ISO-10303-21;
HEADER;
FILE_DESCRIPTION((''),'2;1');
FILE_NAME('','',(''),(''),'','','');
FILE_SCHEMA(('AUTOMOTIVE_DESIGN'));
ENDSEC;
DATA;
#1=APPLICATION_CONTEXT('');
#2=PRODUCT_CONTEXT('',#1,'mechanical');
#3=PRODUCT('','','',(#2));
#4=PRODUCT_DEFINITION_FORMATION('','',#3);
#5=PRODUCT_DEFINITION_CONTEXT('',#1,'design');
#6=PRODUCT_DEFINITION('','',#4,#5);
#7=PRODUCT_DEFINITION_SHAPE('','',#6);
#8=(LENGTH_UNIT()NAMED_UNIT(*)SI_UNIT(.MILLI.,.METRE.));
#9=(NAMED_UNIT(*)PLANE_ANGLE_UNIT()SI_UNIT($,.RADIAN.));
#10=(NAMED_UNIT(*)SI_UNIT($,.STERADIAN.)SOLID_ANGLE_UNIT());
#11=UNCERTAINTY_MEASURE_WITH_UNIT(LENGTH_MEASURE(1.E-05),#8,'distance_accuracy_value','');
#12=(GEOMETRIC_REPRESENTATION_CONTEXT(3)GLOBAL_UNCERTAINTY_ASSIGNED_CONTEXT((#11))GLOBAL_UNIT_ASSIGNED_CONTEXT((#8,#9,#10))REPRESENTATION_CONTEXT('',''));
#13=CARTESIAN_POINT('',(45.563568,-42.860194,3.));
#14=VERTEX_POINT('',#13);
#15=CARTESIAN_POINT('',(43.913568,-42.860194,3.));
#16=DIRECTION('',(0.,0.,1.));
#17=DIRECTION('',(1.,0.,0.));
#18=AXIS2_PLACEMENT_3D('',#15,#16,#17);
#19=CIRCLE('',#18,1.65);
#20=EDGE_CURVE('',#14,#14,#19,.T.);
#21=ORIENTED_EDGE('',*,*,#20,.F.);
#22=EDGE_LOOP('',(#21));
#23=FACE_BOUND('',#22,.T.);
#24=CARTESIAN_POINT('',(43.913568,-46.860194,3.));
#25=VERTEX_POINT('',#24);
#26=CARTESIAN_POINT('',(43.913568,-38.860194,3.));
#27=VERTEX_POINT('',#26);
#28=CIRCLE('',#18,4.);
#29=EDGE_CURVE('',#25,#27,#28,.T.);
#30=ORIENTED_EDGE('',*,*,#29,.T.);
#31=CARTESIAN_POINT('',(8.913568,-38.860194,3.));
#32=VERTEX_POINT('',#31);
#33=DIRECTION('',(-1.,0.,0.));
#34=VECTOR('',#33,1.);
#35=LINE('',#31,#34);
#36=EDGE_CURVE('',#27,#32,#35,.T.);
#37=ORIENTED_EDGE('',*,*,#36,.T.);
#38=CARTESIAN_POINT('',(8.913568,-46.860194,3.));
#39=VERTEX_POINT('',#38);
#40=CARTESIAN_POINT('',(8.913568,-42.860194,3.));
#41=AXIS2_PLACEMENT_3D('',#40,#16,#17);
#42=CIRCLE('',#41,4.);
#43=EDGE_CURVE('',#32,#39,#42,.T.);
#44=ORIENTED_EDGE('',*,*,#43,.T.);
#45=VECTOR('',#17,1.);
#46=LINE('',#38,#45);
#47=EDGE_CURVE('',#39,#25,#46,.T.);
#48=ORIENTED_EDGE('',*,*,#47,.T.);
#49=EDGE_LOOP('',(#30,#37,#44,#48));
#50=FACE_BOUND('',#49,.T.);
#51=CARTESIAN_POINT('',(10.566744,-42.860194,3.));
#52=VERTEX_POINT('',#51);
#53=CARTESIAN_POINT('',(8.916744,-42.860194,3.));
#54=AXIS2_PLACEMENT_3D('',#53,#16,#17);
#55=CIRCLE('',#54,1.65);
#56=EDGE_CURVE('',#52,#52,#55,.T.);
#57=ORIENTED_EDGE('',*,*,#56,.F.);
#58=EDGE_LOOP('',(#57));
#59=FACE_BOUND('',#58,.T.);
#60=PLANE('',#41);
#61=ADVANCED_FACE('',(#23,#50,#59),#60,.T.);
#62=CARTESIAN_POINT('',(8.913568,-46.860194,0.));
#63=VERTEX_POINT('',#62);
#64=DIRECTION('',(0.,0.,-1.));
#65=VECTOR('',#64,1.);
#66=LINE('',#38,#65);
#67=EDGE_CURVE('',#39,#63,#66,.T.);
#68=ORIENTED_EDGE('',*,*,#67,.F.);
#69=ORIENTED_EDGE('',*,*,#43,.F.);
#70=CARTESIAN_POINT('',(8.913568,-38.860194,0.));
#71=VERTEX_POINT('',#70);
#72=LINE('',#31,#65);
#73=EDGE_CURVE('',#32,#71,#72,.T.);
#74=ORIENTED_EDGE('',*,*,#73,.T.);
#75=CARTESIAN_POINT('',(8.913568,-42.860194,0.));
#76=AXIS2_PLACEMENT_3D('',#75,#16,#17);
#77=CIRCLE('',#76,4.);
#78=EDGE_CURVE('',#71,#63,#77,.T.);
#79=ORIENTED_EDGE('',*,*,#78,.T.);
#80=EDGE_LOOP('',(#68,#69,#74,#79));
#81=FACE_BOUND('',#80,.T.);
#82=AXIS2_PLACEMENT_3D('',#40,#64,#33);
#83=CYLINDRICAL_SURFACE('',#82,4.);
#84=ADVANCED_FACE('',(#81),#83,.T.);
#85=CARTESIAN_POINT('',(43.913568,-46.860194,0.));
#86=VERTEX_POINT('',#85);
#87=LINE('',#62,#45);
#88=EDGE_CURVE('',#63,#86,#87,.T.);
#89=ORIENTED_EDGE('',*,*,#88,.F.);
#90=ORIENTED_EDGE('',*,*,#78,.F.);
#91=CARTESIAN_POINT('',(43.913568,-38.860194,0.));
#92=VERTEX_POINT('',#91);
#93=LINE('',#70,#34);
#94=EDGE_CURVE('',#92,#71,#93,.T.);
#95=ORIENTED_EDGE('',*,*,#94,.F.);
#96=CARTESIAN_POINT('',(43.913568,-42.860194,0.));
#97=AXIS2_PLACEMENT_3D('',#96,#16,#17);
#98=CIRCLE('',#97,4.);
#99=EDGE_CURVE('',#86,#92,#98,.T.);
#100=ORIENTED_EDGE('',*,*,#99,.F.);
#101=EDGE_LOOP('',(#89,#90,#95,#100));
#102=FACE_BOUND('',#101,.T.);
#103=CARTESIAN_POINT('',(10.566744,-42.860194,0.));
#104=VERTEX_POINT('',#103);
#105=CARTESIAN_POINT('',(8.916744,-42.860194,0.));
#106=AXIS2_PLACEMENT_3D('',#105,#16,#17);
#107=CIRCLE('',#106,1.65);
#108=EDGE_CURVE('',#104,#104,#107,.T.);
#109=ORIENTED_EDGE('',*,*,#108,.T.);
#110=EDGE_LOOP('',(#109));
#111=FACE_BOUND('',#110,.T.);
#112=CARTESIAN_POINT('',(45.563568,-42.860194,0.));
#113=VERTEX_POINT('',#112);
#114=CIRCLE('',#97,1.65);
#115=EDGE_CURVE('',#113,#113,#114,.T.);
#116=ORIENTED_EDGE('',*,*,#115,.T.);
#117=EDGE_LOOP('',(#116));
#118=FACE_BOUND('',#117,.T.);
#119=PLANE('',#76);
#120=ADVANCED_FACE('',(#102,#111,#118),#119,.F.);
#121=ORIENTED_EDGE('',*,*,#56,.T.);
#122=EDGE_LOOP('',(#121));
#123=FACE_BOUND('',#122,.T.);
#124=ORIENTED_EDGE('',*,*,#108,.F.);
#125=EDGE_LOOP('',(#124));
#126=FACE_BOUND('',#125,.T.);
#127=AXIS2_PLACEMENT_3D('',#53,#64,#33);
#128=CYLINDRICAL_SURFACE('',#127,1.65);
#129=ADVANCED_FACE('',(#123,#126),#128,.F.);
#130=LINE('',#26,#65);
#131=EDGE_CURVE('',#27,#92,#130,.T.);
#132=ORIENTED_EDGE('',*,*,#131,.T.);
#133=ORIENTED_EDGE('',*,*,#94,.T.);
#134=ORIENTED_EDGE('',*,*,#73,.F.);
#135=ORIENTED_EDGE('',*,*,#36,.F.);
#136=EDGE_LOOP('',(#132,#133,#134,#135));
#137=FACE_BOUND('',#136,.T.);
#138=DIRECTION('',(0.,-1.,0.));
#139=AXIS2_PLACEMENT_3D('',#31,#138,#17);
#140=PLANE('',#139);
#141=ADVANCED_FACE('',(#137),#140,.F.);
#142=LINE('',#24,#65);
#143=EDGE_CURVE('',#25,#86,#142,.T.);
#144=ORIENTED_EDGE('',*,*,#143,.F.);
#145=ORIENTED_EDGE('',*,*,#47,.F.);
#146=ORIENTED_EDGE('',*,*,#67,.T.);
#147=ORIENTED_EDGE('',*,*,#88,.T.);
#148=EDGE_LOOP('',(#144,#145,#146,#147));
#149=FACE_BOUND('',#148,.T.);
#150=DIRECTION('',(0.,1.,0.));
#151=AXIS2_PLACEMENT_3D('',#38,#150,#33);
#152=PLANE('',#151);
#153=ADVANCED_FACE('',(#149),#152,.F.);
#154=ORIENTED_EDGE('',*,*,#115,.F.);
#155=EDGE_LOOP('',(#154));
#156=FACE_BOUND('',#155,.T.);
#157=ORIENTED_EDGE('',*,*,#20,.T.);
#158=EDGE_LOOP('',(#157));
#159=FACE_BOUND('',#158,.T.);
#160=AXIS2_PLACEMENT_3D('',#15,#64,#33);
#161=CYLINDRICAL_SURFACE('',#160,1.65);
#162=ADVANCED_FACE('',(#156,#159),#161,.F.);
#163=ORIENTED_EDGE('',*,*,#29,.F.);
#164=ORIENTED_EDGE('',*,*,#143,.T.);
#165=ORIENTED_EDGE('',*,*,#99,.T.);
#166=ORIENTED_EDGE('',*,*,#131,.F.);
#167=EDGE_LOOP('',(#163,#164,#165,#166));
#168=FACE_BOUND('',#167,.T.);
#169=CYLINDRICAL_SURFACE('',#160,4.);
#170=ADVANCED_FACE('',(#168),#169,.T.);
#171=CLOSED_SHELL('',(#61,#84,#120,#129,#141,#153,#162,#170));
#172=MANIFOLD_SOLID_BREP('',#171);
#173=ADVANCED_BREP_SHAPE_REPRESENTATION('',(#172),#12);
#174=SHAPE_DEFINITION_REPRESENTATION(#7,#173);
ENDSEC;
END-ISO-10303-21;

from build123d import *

# Parameters (mm, degrees)
SKETCH1_R           = 1.65
BOSS_EXTRUDE1_DEPTH = 3


with BuildPart() as part:
    # Sketch1 → Boss-Extrude1 (new body)
    with BuildSketch(Plane.XY):
        with BuildLine():
            Line((8.913568062, -38.860194395), (43.913568062, -38.860194395))
            ThreePointArc((43.913568062, -38.860194395), (47.913568062, -42.860194395), (43.913568062, -46.860194395))
            Line((43.913568062, -46.860194395), (8.913568062, -46.860194395))
            ThreePointArc((8.913568062, -46.860194395), (4.913568062, -42.860194395), (8.913568062, -38.860194395))
        make_face()
        with Locations((43.913568062, -42.860194395)):
            Circle(SKETCH1_R, mode=Mode.SUBTRACT)
        with Locations((8.916744392, -42.860194395)):
            Circle(SKETCH1_R, mode=Mode.SUBTRACT)
    extrude(amount=BOSS_EXTRUDE1_DEPTH)


solid = part.part
